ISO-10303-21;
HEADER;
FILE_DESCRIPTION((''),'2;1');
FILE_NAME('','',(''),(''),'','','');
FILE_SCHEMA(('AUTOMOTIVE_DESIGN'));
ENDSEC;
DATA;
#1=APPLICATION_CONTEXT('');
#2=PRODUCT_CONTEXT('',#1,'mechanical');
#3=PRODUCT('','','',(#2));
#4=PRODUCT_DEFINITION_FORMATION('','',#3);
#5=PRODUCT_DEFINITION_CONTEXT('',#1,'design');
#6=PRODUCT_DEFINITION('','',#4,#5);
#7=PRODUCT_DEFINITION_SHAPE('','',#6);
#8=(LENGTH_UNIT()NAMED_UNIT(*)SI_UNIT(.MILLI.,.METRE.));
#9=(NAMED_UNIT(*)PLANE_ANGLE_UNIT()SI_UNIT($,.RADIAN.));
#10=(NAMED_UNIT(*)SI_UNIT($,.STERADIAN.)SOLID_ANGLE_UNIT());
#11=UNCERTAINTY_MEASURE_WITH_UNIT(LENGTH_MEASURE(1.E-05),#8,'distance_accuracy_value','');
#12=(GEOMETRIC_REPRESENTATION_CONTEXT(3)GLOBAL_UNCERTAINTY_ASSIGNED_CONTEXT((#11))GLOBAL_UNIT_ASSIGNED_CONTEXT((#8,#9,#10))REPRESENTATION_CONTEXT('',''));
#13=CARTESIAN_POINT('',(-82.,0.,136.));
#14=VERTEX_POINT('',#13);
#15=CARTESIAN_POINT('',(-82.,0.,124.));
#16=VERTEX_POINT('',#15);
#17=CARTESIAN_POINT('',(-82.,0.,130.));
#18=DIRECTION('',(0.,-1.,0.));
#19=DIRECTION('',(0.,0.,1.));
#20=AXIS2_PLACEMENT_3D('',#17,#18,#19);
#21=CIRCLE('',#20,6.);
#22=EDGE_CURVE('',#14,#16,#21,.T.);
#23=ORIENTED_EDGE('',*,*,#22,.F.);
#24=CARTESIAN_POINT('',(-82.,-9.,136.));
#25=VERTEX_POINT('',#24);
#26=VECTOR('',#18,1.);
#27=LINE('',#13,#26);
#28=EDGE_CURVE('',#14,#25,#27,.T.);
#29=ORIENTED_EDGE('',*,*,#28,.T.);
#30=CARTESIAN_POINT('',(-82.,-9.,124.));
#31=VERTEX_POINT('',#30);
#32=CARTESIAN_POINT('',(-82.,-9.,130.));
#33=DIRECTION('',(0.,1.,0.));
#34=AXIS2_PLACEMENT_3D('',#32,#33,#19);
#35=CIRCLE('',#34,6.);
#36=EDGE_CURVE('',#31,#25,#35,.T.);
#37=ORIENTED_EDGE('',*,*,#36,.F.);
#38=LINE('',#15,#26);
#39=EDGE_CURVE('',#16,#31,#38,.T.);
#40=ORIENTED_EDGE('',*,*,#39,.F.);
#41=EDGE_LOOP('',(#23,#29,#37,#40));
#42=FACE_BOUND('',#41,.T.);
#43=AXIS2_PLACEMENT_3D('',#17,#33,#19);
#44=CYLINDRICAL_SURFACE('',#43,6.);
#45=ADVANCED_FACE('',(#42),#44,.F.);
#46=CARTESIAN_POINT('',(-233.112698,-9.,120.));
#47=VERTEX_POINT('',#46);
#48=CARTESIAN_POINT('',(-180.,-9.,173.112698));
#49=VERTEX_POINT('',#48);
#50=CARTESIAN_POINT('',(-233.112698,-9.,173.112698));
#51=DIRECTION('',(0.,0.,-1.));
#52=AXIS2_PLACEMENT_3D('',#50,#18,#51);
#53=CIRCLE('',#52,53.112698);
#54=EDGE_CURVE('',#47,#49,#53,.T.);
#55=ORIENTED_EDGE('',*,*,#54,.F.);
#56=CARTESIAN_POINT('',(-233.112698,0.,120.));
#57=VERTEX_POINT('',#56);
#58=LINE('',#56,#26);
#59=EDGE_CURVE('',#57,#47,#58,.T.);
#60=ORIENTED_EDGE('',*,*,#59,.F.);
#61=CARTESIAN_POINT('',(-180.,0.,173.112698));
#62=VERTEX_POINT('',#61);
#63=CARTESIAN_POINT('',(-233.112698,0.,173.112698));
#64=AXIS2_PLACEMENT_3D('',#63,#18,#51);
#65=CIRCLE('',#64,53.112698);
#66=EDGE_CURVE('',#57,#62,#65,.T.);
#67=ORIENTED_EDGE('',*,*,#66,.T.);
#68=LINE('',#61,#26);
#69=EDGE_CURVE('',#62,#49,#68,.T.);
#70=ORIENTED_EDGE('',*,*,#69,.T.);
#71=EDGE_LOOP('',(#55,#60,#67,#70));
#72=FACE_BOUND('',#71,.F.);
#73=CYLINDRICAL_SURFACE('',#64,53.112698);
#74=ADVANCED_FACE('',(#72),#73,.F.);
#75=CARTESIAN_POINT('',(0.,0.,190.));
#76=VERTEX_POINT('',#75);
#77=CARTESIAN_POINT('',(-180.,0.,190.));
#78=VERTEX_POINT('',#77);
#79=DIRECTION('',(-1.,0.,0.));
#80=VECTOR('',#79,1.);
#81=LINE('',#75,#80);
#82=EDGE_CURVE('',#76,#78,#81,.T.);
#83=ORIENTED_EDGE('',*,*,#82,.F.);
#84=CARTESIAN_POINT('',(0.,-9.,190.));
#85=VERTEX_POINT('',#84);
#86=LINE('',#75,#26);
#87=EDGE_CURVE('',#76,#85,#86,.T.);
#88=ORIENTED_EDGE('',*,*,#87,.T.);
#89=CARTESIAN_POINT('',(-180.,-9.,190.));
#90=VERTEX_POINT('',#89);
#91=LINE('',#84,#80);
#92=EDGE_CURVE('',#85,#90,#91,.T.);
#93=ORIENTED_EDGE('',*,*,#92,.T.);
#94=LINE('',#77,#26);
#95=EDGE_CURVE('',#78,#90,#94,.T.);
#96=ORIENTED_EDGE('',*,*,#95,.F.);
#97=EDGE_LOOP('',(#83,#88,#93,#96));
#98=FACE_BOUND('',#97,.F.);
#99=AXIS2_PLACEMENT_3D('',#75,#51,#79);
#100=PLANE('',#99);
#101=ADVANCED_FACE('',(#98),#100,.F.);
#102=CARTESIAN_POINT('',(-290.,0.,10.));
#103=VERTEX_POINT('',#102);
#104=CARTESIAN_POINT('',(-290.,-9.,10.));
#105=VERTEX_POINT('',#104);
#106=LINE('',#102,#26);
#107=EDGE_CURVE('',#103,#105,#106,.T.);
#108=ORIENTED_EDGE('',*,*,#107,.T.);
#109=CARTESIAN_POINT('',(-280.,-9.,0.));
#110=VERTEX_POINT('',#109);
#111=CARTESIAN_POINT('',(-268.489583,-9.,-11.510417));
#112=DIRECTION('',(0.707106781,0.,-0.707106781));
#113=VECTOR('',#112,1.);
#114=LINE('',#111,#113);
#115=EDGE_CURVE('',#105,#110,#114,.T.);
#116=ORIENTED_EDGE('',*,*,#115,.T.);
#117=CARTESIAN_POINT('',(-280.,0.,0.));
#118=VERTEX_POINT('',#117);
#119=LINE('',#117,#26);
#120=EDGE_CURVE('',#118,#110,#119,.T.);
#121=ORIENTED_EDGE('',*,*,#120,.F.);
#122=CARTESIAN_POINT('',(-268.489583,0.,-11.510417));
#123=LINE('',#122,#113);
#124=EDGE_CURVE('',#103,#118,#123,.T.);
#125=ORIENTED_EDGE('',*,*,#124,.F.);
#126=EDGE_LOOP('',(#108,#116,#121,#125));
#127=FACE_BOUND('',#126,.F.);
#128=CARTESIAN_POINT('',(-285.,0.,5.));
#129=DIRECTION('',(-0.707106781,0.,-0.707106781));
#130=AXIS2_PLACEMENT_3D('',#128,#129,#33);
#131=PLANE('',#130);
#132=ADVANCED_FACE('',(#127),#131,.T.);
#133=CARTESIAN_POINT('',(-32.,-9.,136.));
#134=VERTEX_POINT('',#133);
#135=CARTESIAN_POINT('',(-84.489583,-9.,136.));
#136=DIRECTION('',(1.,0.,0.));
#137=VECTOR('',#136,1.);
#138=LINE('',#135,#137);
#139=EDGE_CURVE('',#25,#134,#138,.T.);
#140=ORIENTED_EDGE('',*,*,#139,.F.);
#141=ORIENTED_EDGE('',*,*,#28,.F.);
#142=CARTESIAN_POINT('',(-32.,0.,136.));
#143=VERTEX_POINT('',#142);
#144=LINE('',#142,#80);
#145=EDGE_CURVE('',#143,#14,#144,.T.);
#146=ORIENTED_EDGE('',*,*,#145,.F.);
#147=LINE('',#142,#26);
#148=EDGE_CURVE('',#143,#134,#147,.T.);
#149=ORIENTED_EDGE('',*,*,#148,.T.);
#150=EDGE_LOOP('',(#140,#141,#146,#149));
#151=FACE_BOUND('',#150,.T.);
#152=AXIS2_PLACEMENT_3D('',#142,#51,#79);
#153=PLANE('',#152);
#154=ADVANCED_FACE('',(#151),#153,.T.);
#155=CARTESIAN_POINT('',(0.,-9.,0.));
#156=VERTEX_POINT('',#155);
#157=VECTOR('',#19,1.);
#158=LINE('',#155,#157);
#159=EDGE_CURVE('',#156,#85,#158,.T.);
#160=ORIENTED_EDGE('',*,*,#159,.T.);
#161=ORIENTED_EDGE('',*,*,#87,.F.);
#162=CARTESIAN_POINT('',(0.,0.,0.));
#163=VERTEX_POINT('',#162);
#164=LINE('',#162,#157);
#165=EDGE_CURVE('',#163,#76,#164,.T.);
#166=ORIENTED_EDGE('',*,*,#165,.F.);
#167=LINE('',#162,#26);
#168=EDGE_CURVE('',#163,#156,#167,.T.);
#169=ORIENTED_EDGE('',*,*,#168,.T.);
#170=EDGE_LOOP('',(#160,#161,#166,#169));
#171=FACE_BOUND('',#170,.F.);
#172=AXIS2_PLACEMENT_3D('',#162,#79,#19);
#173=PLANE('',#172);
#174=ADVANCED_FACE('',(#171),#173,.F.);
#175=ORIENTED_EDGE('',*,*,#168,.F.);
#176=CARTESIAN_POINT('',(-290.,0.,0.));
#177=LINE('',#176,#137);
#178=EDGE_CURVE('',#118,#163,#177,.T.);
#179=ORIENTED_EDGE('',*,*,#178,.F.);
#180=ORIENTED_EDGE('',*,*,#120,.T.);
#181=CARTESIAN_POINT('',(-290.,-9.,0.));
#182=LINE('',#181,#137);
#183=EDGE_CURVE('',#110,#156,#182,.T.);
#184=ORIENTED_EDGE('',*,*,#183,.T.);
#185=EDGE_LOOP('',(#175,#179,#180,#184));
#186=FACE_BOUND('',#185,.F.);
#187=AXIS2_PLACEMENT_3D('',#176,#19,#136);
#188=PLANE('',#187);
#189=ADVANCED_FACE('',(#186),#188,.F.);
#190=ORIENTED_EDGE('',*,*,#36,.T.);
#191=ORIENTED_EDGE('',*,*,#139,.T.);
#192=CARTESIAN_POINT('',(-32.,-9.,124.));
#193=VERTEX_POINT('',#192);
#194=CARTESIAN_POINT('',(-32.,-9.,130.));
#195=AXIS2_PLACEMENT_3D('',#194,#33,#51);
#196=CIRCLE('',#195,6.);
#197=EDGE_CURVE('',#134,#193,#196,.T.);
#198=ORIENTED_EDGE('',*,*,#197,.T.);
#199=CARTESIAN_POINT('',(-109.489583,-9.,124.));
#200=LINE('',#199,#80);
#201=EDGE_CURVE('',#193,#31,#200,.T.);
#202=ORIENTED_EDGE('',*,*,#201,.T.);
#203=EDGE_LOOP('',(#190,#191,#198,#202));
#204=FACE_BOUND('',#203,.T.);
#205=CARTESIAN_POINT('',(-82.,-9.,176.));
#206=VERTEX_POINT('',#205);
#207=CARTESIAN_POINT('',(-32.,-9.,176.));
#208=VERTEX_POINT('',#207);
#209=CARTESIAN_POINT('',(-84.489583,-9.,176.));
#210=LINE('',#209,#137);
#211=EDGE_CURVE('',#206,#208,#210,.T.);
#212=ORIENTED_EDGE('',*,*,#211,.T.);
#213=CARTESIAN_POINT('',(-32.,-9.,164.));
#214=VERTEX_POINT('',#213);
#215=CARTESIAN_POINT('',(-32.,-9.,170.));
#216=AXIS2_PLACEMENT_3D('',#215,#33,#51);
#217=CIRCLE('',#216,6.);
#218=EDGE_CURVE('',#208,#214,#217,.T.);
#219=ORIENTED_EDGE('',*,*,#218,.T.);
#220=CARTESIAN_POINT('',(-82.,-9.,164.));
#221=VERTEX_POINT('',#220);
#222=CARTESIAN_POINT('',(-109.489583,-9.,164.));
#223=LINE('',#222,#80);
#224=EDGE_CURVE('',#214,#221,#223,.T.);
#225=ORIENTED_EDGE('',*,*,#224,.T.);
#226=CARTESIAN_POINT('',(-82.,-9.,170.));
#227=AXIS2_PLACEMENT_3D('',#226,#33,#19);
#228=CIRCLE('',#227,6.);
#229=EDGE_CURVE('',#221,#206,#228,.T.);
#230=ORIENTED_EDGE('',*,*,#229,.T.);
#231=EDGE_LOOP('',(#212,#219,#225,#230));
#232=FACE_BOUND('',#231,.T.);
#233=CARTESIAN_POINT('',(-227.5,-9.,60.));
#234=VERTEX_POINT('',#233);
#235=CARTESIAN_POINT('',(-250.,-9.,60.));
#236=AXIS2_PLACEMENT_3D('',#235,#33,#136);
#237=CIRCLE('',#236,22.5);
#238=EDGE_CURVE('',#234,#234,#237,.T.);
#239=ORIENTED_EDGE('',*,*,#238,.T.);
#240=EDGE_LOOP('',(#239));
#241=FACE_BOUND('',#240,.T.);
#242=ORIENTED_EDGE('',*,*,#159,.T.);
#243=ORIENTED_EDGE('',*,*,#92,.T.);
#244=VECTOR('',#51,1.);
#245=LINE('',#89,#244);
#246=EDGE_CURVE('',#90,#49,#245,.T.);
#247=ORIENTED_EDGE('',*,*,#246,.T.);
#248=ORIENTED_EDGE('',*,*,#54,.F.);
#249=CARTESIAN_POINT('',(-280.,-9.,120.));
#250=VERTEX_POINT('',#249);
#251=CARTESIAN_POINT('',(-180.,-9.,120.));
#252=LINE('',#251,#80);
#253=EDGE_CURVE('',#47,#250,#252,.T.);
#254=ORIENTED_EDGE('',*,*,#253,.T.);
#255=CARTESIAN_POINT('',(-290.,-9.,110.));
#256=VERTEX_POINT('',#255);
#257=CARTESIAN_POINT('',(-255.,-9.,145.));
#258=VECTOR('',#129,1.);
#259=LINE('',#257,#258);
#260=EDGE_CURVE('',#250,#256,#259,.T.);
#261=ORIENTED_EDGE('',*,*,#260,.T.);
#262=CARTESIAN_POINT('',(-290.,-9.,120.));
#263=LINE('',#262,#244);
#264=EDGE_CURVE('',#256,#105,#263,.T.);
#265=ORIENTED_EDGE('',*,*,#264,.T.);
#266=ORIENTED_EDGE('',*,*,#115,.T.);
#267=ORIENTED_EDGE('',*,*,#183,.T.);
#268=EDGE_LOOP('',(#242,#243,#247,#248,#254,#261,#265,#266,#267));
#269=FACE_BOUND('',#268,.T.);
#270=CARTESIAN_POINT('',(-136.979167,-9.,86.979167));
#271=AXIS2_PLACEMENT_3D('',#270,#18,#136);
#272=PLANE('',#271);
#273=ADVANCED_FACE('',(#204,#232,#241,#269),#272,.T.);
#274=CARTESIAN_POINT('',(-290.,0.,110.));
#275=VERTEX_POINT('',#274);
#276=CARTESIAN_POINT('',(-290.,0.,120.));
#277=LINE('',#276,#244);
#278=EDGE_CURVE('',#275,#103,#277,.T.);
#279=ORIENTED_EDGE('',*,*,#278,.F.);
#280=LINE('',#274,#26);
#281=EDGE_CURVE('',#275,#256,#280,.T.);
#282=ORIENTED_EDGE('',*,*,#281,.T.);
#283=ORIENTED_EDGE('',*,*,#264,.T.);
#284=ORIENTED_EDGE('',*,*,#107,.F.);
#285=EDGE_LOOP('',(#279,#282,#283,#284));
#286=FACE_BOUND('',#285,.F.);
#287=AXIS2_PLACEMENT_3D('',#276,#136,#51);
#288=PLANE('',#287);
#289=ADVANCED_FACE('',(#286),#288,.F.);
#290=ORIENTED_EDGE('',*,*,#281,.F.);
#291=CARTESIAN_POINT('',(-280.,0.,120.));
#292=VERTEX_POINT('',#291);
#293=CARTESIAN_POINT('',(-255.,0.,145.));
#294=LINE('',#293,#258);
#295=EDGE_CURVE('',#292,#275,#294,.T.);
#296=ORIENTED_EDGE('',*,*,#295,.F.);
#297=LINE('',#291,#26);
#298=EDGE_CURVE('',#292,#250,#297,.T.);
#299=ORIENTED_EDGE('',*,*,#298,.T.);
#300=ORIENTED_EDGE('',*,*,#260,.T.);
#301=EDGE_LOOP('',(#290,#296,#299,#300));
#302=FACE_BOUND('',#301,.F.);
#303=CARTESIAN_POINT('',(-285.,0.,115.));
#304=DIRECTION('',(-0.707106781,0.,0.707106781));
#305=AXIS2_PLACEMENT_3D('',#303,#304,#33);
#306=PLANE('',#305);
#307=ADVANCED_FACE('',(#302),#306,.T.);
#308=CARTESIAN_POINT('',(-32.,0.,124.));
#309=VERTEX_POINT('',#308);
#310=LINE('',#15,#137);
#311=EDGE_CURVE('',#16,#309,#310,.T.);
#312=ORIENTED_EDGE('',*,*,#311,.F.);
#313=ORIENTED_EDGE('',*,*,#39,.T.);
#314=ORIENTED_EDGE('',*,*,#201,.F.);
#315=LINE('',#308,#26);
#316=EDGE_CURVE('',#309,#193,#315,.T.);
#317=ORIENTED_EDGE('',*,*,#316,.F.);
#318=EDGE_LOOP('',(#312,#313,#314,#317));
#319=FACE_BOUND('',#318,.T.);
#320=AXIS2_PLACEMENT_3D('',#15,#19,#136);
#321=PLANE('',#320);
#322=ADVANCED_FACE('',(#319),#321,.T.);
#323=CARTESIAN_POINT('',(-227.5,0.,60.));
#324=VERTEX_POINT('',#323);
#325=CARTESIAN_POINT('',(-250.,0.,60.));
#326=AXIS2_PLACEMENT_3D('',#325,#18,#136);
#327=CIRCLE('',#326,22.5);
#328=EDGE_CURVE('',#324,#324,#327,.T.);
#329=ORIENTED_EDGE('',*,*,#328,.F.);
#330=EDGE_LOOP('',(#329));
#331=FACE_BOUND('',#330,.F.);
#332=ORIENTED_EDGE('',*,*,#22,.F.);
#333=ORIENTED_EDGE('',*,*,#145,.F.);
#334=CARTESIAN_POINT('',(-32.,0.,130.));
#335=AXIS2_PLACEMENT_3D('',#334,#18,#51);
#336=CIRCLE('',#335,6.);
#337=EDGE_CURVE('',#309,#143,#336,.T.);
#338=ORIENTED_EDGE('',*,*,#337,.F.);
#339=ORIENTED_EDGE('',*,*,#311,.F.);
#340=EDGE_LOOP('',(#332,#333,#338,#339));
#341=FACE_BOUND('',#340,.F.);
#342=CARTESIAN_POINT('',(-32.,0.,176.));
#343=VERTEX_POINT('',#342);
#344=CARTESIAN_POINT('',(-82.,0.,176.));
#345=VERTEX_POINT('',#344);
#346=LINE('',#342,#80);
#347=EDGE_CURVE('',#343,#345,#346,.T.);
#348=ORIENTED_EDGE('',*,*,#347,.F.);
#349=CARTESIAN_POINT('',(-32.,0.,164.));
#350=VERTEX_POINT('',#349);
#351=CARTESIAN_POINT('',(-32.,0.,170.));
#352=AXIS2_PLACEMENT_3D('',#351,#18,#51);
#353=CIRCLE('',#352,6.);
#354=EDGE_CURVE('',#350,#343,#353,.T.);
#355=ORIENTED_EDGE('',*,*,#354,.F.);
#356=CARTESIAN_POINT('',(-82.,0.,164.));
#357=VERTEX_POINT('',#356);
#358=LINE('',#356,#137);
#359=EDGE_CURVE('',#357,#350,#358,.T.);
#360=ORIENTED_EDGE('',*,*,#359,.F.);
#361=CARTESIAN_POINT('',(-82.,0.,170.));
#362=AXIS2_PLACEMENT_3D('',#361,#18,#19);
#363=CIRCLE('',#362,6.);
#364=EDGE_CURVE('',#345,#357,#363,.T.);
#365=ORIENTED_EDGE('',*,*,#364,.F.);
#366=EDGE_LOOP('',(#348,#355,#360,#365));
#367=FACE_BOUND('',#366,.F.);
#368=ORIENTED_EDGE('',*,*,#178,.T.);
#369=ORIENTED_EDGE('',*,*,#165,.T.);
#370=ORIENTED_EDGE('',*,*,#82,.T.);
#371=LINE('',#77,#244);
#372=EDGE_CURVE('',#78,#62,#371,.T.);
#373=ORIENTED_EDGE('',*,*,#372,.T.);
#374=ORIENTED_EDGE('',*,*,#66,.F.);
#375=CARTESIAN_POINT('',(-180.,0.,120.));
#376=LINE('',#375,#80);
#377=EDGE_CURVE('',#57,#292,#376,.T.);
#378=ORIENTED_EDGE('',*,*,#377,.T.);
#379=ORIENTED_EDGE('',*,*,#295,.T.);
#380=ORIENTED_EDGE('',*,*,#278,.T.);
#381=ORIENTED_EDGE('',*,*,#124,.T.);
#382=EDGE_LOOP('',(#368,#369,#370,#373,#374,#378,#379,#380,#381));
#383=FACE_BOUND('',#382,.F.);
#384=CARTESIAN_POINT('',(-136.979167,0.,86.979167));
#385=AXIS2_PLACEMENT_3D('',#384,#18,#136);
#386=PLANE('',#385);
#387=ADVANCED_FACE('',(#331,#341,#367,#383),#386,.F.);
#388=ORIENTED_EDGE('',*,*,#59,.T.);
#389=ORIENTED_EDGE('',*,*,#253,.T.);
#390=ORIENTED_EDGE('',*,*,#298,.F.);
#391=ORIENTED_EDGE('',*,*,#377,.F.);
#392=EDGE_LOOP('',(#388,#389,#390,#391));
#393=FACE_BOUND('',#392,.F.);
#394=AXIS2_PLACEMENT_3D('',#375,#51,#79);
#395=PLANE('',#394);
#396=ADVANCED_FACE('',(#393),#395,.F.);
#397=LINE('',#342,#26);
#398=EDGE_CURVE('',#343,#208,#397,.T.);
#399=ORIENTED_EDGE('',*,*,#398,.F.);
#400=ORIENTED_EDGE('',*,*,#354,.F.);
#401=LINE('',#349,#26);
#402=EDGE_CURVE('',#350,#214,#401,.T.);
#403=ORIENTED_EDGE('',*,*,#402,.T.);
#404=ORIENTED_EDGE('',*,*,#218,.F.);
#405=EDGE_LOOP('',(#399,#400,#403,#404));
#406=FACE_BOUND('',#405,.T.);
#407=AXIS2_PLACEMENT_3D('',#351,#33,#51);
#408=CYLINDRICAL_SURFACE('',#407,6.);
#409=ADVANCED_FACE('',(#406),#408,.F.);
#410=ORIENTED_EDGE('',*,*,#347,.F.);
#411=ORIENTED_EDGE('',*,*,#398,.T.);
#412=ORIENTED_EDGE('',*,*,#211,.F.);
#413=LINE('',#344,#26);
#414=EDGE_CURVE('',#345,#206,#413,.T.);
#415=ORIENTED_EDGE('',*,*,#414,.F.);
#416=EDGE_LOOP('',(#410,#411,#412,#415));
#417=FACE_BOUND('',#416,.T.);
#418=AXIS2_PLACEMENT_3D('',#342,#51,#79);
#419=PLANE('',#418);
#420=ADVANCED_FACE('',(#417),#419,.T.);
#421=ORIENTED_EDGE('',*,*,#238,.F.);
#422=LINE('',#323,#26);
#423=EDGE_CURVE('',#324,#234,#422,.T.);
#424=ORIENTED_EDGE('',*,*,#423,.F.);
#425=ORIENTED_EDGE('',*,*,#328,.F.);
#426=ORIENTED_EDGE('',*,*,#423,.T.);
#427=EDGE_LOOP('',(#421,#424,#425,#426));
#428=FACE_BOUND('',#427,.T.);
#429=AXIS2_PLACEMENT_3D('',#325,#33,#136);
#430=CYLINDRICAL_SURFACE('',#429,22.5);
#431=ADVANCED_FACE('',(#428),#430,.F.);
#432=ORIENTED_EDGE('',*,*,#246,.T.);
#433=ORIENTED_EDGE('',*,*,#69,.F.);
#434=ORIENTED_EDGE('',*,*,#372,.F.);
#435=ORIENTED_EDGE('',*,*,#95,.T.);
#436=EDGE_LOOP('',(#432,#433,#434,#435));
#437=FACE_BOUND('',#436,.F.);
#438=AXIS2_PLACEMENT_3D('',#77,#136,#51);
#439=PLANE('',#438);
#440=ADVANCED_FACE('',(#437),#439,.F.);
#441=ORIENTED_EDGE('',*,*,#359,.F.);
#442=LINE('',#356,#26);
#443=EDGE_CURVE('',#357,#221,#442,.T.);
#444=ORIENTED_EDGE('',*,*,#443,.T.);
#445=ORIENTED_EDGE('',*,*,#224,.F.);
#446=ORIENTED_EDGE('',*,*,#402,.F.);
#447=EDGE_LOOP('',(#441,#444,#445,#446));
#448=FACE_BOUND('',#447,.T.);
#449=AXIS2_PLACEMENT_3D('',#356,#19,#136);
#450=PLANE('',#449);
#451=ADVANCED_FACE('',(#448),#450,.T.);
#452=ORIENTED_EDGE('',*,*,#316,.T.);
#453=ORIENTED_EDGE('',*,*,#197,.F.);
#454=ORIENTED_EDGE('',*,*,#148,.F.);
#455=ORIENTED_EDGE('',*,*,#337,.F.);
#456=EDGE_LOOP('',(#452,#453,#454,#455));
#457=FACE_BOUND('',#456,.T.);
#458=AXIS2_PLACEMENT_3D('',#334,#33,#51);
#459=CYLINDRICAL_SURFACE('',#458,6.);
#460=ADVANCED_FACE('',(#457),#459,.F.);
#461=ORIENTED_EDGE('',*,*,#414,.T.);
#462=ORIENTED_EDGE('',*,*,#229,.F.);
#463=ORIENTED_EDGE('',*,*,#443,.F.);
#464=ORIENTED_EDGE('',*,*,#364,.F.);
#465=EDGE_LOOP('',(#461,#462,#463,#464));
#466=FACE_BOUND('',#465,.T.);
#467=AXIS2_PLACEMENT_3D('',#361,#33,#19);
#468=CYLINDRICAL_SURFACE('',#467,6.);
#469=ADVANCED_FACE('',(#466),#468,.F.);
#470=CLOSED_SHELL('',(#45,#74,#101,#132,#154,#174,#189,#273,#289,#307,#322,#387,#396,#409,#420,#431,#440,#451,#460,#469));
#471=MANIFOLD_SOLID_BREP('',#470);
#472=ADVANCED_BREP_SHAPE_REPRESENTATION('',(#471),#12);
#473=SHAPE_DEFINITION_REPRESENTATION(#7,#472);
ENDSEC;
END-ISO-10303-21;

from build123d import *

# Parameters (mm, degrees)
F1_DEPTH = 9
F2_R     = 22.5
F3_DEPTH = 9.001
F4_R     = 53.1126983722
F5_SIZE  = 10


with BuildPart() as f1:
    # F0 (on Front) → F1 (new body)
    with BuildSketch(Plane.XZ):
        Polygon((-290, 0), (0, 0), (0, 190), (-180, 190), (-180, 120), (-290, 120), align=None)
    extrude(amount=F1_DEPTH)

    # F2 (on Front) → F3 (cut, through all)
    with BuildSketch(Plane.XZ):
        with BuildLine():
            Line((-32, 176), (-82, 176))
            ThreePointArc((-82, 176), (-88, 170), (-82, 164))
            Line((-82, 164), (-32, 164))
            ThreePointArc((-32, 164), (-26, 170), (-32, 176))
        make_face()
        with BuildLine():
            Line((-32, 136), (-82, 136))
            ThreePointArc((-82, 136), (-88, 130), (-82, 124))
            Line((-82, 124), (-32, 124))
            ThreePointArc((-32, 124), (-26, 130), (-32, 136))
        make_face()
        with Locations((-250, 60)):
            Circle(F2_R)
    extrude(amount=F3_DEPTH, mode=Mode.SUBTRACT)

    # F4
    f4_edges = [f1.edges().sort_by_distance(p)[0] for p in [
        (-180, -4.5, 120),
    ]]
    fillet(f4_edges, radius=F4_R)

    # F5
    f5_edges = [f1.edges().sort_by_distance(p)[0] for p in [
        (-290, -4.5, 0),
        (-290, -4.5, 120),
    ]]
    chamfer(f5_edges, length=F5_SIZE)


solid = f1.part
